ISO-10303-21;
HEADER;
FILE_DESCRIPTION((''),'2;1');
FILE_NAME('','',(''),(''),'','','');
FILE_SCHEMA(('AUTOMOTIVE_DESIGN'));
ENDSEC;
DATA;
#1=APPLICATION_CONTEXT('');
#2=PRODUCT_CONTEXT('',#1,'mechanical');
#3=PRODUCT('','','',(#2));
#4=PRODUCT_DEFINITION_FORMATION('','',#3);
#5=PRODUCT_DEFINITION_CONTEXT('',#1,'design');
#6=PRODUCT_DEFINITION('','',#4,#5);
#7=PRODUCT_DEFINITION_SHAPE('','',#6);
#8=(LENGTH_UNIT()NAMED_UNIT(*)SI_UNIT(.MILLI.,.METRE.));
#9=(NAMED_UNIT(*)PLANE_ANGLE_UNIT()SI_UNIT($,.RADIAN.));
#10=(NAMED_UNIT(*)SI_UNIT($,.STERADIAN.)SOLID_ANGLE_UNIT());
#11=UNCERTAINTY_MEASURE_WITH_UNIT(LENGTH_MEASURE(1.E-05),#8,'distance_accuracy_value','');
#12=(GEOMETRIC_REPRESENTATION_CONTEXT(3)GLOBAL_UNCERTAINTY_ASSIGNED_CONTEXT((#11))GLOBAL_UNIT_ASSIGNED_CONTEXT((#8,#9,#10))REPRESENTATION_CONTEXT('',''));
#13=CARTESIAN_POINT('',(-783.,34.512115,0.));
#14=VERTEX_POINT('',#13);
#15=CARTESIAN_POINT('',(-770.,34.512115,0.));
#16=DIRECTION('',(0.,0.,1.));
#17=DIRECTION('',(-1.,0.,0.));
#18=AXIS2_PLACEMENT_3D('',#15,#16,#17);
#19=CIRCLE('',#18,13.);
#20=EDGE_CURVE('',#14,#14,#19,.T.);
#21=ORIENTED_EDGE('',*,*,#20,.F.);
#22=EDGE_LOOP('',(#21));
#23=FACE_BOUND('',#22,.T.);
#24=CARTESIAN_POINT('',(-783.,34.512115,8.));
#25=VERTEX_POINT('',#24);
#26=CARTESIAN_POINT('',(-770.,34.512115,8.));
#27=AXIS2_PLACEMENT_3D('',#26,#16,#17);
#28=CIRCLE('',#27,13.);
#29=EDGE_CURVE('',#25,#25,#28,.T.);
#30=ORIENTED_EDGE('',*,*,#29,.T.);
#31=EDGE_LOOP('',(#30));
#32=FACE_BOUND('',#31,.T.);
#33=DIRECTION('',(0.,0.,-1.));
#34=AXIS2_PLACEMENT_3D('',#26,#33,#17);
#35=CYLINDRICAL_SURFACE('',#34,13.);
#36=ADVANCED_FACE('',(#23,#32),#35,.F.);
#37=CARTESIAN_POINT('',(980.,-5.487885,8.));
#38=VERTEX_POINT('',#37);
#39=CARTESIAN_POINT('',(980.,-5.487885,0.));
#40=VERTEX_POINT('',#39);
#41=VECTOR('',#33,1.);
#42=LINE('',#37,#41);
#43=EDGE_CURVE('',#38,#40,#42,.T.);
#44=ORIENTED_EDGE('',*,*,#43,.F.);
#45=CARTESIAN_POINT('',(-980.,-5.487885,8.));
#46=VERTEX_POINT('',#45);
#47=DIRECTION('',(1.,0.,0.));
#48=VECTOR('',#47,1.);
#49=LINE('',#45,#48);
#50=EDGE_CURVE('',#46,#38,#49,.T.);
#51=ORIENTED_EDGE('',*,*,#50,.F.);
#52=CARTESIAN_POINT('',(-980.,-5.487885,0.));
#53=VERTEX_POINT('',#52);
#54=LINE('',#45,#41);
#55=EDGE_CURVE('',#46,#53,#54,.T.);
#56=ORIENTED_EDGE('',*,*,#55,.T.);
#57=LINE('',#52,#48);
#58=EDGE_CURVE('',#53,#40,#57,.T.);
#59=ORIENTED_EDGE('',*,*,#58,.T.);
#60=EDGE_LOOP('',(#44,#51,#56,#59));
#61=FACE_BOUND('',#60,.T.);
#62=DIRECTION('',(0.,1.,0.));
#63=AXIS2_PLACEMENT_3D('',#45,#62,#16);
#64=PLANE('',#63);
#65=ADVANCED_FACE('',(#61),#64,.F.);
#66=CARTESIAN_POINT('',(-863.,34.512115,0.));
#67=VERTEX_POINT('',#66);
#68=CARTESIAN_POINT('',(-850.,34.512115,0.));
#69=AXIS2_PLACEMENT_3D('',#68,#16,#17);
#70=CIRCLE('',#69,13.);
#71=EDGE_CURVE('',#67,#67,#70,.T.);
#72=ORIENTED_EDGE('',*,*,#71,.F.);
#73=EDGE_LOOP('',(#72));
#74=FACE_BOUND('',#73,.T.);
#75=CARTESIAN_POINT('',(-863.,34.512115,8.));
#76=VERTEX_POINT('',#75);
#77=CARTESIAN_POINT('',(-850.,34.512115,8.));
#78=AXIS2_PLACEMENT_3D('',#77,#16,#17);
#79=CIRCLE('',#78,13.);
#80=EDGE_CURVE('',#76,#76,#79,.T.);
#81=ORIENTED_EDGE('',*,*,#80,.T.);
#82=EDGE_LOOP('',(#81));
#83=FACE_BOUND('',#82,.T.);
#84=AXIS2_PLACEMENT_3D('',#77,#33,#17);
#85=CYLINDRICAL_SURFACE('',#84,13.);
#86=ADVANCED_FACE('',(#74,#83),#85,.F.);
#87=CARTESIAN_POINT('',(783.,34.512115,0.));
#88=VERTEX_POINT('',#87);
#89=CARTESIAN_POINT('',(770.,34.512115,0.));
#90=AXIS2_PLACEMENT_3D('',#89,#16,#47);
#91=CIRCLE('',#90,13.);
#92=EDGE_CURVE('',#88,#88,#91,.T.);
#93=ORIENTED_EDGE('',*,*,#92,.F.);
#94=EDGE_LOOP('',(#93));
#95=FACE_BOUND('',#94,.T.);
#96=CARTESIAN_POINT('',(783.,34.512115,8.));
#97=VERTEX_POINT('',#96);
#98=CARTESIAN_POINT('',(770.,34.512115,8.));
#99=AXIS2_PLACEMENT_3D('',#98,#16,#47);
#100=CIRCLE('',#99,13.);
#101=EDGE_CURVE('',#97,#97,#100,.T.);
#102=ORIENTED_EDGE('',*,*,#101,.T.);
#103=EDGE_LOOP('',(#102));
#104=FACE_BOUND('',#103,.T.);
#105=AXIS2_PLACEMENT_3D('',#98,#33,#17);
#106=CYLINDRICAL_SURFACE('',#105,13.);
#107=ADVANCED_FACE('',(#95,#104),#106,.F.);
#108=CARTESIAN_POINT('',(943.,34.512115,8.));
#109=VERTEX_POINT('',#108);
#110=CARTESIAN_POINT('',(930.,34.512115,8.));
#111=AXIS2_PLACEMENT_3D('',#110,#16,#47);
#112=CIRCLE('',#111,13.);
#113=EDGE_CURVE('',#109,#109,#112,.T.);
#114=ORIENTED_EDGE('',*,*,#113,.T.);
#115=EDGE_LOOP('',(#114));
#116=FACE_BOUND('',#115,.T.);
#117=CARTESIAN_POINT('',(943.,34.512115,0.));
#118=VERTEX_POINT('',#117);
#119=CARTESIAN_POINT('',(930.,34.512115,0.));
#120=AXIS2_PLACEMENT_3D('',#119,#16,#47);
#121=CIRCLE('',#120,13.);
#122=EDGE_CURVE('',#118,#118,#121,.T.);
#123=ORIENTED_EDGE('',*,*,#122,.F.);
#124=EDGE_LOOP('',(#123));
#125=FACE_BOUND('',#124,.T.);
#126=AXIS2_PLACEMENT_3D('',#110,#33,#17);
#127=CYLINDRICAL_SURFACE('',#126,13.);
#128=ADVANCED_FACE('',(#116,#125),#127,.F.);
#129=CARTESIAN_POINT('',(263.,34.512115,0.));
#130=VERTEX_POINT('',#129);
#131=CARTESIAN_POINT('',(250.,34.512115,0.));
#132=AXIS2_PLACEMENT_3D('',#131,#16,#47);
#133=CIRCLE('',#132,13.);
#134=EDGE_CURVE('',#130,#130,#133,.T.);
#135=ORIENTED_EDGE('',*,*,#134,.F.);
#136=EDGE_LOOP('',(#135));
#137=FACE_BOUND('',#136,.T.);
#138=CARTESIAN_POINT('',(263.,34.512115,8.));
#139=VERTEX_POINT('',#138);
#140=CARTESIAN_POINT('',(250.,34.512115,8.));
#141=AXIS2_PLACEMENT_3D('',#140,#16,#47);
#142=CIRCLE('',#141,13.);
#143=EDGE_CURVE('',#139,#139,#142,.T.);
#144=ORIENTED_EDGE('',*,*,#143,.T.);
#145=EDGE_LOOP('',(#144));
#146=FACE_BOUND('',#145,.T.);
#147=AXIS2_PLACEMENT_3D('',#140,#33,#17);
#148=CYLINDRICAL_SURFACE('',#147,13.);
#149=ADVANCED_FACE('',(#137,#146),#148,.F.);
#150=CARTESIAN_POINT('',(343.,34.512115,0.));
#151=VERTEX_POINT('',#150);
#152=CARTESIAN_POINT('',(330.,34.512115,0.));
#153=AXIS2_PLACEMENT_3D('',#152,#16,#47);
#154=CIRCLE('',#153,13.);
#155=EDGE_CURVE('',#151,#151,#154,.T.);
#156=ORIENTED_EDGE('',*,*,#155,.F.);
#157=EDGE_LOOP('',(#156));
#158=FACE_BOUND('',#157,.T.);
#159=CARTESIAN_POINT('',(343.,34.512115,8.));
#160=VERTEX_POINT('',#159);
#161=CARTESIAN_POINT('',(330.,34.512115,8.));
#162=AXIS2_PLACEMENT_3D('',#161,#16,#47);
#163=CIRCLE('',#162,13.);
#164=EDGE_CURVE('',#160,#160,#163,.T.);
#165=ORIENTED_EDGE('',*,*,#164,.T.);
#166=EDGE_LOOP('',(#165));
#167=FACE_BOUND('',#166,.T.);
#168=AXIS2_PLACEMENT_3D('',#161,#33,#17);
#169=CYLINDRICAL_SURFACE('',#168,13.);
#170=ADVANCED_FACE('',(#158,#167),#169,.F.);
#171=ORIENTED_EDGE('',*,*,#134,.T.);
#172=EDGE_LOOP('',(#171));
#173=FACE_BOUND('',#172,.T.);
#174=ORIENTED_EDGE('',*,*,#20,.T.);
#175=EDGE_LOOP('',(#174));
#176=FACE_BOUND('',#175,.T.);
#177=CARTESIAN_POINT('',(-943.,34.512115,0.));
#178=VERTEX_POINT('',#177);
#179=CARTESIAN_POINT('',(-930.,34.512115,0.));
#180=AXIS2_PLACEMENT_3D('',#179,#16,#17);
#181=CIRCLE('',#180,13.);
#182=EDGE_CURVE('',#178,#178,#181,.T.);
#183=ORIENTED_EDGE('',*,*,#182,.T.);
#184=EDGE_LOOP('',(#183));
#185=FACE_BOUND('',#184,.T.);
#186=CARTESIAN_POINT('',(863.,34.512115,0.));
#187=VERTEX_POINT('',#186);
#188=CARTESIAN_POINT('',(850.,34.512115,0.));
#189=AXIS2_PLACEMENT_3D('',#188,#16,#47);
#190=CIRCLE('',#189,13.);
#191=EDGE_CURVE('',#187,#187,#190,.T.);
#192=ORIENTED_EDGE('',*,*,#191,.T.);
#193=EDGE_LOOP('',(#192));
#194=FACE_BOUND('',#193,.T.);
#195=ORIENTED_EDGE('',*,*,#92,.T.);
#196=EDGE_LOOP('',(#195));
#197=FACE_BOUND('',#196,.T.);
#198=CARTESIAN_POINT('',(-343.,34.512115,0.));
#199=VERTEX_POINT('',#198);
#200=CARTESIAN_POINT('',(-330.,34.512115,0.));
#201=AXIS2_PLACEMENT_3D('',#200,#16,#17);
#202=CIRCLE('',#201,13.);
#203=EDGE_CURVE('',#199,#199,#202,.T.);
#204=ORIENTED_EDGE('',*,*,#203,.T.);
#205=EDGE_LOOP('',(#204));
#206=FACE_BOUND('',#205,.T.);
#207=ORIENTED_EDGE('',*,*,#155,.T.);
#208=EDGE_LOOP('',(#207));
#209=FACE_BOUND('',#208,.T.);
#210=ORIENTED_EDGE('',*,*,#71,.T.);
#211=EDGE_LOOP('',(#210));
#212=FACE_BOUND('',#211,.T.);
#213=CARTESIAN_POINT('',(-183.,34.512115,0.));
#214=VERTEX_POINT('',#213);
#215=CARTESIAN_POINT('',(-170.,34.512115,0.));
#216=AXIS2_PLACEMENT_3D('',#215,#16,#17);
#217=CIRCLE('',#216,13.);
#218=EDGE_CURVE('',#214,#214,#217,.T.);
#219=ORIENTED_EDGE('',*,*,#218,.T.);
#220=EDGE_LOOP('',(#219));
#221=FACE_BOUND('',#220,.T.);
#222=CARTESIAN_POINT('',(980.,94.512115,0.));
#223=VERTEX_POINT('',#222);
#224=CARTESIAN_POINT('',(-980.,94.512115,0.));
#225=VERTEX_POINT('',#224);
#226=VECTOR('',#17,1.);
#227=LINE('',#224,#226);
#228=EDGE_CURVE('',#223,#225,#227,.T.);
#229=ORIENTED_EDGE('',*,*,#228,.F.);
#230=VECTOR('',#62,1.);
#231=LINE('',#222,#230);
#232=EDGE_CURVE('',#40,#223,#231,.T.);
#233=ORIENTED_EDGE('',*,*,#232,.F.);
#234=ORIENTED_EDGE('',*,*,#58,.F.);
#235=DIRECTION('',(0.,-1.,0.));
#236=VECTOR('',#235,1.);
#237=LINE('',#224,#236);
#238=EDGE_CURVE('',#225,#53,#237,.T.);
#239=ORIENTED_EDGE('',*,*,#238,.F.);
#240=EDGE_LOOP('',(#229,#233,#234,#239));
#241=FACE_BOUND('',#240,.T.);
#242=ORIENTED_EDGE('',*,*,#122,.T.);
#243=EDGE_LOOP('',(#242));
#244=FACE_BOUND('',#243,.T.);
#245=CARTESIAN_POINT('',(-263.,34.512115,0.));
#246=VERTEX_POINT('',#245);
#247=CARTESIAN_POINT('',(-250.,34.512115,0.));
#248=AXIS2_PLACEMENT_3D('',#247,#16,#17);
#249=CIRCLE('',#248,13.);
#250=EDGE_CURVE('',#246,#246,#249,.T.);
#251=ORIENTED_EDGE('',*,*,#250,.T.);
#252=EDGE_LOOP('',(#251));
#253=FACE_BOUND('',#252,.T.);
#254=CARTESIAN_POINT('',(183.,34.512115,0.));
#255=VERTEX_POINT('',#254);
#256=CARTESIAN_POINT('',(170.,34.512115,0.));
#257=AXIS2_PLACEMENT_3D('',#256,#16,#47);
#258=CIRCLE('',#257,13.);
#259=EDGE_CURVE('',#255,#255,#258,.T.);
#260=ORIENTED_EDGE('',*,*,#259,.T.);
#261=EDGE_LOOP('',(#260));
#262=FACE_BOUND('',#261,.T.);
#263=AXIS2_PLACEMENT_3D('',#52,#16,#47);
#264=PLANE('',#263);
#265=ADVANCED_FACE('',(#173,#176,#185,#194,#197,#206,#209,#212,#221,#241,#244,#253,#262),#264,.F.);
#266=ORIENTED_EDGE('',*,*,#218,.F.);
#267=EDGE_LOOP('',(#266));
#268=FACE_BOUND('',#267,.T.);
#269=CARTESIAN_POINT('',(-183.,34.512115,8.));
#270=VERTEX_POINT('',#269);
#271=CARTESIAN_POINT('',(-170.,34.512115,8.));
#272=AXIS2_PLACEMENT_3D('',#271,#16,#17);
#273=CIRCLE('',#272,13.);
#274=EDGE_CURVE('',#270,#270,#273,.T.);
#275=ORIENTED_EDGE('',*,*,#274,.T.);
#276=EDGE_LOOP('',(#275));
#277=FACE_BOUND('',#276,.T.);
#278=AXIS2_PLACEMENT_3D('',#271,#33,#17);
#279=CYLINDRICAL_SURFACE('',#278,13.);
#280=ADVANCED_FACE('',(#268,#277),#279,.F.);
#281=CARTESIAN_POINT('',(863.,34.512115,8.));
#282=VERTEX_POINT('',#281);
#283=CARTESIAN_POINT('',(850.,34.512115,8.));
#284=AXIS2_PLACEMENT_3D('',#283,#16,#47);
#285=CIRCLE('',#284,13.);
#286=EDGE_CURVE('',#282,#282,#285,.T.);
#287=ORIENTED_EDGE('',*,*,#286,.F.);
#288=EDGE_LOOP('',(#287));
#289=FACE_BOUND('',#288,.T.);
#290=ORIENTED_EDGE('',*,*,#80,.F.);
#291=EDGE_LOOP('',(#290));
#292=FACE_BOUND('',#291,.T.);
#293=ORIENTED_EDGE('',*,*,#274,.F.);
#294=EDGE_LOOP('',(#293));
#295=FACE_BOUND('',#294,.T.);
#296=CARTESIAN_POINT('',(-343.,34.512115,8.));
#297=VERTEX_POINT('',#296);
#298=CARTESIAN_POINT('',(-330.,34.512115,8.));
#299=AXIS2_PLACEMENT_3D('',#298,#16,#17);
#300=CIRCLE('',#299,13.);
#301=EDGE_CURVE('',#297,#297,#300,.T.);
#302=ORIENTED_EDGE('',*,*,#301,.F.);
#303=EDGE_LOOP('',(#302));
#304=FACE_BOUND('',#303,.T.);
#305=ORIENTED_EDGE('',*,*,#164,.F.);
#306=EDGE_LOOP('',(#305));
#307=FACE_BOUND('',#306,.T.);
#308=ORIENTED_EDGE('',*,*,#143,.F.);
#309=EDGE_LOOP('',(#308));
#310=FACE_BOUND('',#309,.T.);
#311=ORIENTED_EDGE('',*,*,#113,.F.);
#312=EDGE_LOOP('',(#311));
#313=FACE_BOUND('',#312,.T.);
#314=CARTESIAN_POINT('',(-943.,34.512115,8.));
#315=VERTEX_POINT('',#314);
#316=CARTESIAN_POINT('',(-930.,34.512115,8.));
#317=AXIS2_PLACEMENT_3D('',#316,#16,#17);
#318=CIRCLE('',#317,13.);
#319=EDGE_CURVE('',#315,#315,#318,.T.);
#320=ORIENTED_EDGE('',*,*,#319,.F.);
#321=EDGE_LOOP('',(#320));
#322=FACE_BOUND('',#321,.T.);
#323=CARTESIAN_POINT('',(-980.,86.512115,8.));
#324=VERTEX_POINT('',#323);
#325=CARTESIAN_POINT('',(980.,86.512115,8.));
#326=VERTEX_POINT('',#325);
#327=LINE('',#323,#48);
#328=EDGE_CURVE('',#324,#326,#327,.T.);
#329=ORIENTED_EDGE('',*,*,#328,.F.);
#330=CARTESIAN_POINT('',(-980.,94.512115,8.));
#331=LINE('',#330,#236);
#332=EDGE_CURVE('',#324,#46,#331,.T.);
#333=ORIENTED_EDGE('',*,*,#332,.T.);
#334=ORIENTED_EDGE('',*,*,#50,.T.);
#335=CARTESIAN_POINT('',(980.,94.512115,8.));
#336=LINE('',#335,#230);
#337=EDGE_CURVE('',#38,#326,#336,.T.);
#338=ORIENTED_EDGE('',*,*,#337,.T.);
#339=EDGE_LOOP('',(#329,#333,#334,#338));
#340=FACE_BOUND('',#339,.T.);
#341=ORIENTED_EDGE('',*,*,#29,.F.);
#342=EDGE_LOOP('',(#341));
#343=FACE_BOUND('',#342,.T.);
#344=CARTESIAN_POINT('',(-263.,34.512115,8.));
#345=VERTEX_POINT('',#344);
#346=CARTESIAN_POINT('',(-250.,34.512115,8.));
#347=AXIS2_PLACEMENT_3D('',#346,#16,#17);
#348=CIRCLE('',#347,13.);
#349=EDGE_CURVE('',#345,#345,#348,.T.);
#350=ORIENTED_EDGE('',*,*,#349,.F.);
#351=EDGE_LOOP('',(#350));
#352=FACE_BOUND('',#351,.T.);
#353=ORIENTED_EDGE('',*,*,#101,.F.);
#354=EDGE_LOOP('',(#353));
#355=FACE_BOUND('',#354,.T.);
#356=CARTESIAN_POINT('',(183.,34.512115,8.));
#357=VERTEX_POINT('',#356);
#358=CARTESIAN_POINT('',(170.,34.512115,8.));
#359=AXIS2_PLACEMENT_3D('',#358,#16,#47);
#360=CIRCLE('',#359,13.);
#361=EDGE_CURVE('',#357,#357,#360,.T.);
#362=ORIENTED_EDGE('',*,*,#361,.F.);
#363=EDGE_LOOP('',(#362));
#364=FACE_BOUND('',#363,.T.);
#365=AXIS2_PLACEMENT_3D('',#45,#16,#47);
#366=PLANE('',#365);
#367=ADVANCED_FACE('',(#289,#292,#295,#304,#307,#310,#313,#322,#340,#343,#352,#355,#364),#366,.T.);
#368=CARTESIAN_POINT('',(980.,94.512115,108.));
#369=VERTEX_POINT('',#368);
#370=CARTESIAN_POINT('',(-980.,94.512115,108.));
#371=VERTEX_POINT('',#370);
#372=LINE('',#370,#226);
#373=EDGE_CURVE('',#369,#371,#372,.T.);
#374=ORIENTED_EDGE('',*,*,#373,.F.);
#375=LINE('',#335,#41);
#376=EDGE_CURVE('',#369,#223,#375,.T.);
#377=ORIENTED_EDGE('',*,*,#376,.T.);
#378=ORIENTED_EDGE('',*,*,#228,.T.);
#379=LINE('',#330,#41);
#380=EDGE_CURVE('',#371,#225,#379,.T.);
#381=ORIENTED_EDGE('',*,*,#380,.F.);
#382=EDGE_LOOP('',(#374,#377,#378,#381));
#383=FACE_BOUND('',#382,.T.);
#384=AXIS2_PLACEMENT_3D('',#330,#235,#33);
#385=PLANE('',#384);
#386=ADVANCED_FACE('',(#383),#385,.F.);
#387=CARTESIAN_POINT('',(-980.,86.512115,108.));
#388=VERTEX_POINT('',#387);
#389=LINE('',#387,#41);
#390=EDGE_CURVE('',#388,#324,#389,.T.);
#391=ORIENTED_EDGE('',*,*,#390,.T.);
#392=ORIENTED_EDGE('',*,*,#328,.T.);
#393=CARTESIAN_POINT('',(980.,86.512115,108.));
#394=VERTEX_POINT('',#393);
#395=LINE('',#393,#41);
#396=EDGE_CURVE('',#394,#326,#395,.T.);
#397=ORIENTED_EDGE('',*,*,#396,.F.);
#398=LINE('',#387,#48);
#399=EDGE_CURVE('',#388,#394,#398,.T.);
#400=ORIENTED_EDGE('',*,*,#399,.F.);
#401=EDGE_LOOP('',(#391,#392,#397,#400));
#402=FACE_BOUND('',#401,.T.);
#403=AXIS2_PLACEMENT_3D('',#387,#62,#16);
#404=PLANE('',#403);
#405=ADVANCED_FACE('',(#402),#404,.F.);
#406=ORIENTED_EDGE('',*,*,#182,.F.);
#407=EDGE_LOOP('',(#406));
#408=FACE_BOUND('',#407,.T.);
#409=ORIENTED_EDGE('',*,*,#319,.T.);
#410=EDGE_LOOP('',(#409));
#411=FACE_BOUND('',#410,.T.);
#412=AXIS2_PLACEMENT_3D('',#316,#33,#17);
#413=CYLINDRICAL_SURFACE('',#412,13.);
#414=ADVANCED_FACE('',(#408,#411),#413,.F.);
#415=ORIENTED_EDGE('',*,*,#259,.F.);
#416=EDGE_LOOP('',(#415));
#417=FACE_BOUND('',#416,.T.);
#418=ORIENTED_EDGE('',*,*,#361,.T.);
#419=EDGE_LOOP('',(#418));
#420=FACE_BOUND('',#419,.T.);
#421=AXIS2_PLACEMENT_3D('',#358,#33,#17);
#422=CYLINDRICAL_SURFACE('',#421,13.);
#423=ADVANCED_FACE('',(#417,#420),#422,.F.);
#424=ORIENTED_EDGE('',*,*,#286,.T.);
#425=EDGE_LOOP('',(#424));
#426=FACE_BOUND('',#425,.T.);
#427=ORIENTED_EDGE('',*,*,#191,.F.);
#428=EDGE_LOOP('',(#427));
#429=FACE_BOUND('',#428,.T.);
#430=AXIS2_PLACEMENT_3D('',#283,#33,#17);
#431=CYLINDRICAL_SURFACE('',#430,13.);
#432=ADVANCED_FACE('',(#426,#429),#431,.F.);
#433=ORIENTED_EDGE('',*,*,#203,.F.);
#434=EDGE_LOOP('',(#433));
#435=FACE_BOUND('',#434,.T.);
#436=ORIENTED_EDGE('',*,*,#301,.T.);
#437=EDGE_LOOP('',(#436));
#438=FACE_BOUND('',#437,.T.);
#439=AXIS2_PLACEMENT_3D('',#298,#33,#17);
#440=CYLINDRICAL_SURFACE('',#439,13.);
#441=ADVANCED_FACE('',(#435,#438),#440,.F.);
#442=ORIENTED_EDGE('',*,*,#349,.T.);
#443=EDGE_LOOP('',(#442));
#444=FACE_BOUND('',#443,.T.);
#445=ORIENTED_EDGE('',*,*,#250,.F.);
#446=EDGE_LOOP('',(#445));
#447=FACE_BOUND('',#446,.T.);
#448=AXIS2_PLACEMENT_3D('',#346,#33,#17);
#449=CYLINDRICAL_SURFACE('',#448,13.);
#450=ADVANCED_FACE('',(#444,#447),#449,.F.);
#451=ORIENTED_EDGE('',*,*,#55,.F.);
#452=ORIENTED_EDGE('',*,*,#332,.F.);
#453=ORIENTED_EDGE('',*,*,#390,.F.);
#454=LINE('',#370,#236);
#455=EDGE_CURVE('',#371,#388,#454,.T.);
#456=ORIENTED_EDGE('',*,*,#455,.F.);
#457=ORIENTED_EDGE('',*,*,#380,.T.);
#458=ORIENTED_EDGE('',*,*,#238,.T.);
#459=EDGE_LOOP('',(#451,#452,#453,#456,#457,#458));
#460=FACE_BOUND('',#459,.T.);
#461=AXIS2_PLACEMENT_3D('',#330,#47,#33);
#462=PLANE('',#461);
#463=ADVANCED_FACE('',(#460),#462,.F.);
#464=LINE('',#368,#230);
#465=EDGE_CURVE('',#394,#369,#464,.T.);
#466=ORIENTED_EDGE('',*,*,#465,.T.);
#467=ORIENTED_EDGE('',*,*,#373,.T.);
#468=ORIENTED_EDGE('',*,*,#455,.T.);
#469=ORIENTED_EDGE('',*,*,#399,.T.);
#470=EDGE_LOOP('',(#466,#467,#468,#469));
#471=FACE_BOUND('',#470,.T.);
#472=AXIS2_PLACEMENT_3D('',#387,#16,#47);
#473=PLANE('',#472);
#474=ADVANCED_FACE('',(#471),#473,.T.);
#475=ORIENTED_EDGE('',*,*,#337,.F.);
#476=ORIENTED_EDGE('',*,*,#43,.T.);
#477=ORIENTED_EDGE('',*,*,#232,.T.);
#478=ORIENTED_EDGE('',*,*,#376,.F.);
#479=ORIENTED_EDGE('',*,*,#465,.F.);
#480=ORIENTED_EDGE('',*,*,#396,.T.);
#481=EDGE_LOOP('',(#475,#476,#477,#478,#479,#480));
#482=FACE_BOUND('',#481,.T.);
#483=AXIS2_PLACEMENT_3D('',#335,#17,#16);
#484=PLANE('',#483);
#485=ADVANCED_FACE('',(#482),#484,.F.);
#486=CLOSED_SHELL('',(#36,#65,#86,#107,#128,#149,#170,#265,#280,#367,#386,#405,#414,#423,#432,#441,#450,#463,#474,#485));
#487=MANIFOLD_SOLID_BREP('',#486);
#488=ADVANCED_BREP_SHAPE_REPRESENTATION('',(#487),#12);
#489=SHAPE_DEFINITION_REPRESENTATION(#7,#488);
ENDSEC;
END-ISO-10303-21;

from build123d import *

# Parameters (mm, degrees)
SKETCH_1_W        = 1960
SKETCH_1_H        = 100
SKETCH_1_R        = 13
EXTRUDE_708_DEPTH = 8
SKETCH_2_W        = 1960
SKETCH_2_H        = 8
EXTRUDE_1_DEPTH   = 100


with BuildPart() as part:
    # 草图1 → Extrude 708 (new body)
    with BuildSketch(Plane.XY):
        with Locations((0, 44.512115183)):
            Rectangle(SKETCH_1_W, SKETCH_1_H)
        with Locations((930, 34.512115183)):
            Circle(SKETCH_1_R, mode=Mode.SUBTRACT)
        with Locations((850, 34.512115183)):
            Circle(SKETCH_1_R, mode=Mode.SUBTRACT)
        with Locations((770, 34.512115183)):
            Circle(SKETCH_1_R, mode=Mode.SUBTRACT)
        with Locations((330, 34.512115183)):
            Circle(SKETCH_1_R, mode=Mode.SUBTRACT)
        with Locations((250, 34.512115183)):
            Circle(SKETCH_1_R, mode=Mode.SUBTRACT)
        with Locations(Location((-770, 34.512115183, 0), (0, 0, 180))):
            Circle(SKETCH_1_R, mode=Mode.SUBTRACT)
        with Locations(Location((-850, 34.512115183, 0), (0, 0, 180))):
            Circle(SKETCH_1_R, mode=Mode.SUBTRACT)
        with Locations((170, 34.512115183)):
            Circle(SKETCH_1_R, mode=Mode.SUBTRACT)
        with Locations(Location((-170, 34.512115183, 0), (0, 0, 180))):
            Circle(SKETCH_1_R, mode=Mode.SUBTRACT)
        with Locations(Location((-250, 34.512115183, 0), (0, 0, 180))):
            Circle(SKETCH_1_R, mode=Mode.SUBTRACT)
        with Locations(Location((-330, 34.512115183, 0), (0, 0, 180))):
            Circle(SKETCH_1_R, mode=Mode.SUBTRACT)
        with Locations(Location((-930, 34.512115183, 0), (0, 0, 180))):
            Circle(SKETCH_1_R, mode=Mode.SUBTRACT)
    extrude(amount=EXTRUDE_708_DEPTH)

    # 草图2 → 凸台-拉伸1 (add)
    with BuildSketch(Plane.XY.offset(8)):
        with Locations((0, 90.512115183)):
            Rectangle(SKETCH_2_W, SKETCH_2_H)
    extrude(amount=EXTRUDE_1_DEPTH)


solid = part.part
